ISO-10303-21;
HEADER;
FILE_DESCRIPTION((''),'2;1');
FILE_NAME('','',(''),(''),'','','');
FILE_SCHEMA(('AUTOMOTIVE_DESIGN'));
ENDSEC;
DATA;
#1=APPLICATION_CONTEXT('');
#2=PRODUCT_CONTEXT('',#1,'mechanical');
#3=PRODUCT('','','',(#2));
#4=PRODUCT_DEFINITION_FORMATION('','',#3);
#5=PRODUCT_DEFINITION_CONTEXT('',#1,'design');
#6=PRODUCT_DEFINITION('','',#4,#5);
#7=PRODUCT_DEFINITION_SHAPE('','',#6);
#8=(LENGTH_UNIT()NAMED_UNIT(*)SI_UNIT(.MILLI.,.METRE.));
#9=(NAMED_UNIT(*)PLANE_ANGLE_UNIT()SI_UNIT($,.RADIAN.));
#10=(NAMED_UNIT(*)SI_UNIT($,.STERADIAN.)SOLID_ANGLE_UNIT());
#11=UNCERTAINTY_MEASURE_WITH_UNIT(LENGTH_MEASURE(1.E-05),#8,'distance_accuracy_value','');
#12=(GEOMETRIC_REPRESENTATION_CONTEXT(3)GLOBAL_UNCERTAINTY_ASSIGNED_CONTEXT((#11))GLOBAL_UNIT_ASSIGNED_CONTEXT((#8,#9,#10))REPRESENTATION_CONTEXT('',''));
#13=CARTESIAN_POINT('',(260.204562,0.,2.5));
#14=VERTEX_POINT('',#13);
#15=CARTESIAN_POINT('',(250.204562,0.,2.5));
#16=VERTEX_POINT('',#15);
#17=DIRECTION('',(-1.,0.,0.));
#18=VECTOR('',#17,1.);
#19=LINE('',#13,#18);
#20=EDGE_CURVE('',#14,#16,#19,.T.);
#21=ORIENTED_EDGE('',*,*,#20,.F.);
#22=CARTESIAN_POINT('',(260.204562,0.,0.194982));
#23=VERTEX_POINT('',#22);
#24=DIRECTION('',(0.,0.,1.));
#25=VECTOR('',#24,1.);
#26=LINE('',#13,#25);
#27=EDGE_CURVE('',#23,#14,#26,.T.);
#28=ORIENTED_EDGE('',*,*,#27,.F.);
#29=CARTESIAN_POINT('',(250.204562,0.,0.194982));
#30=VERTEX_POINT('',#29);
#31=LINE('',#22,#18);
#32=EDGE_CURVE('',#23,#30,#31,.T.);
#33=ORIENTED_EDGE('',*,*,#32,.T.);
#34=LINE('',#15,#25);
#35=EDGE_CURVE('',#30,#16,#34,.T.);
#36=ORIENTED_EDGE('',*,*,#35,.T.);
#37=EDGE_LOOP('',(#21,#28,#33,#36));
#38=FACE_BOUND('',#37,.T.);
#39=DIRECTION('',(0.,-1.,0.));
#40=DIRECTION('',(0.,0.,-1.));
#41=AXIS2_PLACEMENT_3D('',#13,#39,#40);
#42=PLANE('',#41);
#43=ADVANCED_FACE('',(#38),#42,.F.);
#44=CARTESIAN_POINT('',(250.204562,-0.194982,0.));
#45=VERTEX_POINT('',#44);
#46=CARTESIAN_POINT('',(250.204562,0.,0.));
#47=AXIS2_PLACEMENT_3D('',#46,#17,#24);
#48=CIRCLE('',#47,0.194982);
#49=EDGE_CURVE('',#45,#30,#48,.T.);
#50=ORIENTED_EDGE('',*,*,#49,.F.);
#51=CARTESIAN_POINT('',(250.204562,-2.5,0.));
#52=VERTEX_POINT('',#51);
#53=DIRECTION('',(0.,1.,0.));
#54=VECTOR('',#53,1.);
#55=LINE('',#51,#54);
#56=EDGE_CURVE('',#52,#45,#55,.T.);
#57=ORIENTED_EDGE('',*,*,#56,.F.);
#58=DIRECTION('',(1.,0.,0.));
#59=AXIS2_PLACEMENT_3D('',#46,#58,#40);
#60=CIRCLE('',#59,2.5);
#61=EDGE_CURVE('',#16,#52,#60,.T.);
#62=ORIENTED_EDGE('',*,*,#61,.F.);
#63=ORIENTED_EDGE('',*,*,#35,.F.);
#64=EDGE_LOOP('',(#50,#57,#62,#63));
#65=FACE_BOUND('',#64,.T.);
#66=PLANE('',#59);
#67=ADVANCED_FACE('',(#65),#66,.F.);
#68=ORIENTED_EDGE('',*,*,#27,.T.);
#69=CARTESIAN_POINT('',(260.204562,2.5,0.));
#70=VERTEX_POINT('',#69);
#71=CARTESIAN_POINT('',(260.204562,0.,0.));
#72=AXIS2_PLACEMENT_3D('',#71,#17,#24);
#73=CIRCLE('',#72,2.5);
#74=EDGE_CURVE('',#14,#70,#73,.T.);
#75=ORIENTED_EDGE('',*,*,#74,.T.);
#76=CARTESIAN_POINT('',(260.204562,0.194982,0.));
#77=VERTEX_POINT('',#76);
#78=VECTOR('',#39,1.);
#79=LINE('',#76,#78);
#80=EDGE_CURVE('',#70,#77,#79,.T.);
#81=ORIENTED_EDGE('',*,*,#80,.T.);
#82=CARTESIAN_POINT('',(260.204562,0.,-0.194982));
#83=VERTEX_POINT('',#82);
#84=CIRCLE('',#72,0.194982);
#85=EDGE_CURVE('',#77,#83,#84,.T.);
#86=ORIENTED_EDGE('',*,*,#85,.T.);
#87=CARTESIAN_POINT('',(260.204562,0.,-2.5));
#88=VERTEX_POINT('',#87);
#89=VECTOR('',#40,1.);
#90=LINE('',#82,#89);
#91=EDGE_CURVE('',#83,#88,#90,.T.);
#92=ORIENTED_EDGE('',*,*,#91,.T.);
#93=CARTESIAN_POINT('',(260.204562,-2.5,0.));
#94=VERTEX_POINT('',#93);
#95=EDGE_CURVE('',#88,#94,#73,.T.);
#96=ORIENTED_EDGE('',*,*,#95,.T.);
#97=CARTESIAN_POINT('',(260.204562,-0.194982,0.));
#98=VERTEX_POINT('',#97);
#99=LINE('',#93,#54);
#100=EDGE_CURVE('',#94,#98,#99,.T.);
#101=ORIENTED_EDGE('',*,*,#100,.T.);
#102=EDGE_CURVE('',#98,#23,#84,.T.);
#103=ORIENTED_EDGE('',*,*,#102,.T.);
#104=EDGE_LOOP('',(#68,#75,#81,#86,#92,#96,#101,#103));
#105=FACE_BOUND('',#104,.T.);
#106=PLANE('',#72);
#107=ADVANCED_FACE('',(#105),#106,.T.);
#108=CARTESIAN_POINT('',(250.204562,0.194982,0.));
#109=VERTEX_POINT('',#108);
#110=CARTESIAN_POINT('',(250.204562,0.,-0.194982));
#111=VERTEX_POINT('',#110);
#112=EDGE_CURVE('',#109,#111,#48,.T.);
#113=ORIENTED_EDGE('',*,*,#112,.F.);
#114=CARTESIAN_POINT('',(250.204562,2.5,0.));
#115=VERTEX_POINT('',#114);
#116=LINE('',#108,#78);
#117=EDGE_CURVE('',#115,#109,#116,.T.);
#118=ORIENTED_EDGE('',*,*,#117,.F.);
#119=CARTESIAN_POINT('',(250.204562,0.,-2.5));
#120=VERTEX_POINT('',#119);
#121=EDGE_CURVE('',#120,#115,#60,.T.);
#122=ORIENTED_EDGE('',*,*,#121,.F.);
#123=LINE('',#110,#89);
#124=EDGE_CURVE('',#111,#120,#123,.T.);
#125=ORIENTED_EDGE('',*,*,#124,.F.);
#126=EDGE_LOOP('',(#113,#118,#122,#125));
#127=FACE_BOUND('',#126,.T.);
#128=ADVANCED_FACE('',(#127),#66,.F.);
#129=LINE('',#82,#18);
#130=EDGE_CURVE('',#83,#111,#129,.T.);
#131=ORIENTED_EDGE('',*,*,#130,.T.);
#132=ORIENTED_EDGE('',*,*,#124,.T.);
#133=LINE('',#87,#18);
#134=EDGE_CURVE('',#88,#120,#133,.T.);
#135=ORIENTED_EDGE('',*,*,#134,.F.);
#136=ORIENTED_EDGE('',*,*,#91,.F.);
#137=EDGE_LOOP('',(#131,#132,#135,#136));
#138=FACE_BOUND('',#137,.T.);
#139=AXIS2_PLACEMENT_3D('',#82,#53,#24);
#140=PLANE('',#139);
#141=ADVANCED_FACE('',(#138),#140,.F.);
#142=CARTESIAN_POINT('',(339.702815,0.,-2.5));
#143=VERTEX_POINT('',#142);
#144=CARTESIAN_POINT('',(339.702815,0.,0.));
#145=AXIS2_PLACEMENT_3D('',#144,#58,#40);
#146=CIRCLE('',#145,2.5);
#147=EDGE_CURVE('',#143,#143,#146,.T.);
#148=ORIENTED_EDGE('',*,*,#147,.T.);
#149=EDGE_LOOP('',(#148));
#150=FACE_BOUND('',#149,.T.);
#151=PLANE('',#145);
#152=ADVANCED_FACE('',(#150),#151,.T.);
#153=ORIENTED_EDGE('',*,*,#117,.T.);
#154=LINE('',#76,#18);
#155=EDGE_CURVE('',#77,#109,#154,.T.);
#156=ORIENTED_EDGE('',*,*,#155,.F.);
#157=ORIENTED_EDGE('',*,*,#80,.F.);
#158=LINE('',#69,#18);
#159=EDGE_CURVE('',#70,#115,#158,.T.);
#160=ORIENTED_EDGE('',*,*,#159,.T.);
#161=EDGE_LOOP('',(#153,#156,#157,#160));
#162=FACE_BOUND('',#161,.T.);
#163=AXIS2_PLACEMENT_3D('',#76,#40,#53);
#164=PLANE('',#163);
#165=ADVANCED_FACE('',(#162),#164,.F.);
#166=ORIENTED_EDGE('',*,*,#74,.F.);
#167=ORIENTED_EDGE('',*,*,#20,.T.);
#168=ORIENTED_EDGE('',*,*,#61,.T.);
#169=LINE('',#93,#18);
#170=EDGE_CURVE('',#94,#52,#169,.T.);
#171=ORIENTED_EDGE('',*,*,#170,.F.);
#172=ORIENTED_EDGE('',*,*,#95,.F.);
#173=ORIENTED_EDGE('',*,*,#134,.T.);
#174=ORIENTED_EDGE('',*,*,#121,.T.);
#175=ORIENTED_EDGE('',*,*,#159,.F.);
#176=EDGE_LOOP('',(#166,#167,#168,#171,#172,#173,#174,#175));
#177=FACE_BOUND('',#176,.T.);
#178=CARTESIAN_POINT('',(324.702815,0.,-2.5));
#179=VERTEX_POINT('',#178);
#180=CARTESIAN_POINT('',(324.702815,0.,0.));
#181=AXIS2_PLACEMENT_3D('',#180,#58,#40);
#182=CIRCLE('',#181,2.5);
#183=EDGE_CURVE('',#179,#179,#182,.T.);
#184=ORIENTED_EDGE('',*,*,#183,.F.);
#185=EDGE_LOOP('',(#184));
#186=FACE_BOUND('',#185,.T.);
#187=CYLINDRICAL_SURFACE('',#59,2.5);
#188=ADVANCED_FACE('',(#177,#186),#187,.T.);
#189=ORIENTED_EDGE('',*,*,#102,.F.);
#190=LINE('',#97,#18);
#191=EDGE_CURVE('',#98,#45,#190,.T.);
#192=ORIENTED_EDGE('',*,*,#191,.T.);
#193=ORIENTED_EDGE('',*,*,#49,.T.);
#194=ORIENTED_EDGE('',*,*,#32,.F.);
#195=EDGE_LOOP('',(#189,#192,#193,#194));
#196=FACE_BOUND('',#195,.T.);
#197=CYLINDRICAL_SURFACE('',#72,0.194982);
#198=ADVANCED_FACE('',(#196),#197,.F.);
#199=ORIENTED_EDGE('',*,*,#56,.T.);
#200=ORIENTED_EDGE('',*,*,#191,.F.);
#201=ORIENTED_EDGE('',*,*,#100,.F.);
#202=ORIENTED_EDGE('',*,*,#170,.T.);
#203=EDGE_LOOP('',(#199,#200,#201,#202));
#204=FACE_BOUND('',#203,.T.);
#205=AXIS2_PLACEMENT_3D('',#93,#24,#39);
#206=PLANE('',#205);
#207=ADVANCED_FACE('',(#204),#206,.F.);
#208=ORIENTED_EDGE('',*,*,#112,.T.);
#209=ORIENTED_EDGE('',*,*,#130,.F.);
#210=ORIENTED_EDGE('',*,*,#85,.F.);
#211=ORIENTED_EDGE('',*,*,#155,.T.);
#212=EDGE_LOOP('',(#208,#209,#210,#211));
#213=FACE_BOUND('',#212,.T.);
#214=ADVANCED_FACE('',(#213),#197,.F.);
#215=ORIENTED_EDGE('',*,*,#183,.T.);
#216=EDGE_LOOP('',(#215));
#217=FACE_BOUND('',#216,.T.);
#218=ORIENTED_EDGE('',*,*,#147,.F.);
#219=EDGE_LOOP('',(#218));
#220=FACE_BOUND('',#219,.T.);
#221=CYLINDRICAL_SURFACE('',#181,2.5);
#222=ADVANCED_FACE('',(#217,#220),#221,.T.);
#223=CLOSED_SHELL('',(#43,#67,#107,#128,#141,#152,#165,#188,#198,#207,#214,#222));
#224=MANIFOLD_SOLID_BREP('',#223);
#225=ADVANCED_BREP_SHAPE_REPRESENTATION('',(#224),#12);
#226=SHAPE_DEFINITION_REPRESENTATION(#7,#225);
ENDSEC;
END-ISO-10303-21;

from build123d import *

# Parameters (mm, degrees)
SWEEP1_PROFILE_R   = 2.5
CUT_EXTRUDE1_DEPTH = 10


with BuildPart() as part:
    # Sweep1: sweep along a path in Sketch1
    with BuildLine(Plane(origin=(0, 0, 0), x_dir=(1, 0, 0), z_dir=(0, 1, 0))) as sweep1_path:
        Line((339.702814789, 0), (324.702814789, 0))
        Line((324.702814789, 0), (250.204561609, 0))
    # Sweep1 profile (on start of the path) → Sweep1 (sweep)
    with BuildSketch(Plane(origin=(339.702814789, 0, 0), x_dir=(0, 0, -1), z_dir=(-1, 0, 0))):
        Circle(SWEEP1_PROFILE_R)
    sweep(path=sweep1_path.line)

    # Sketch4 → Cut-Extrude1 (cut)
    with BuildSketch(Plane(origin=(250.204561609, 0, 0), x_dir=(0, 0, -1), z_dir=(-1, 0, 0))):
        with BuildLine():
            Line((-2.5, 0), (-0.194982329, 0))
            ThreePointArc((-0.194982329, 0), (-0.137873327, 0.137873327), (0, 0.194982329))
            Line((0, 0.194982329), (0, 2.5))
            ThreePointArc((0, 2.5), (1.767766953, 1.767766953), (2.5, 0))
            Line((2.5, 0), (0.194982329, 0))
            ThreePointArc((0.194982329, 0), (0.137873327, -0.137873327), (0, -0.194982329))
            Line((0, -0.194982329), (0, -2.5))
            ThreePointArc((0, -2.5), (-1.767766953, -1.767766953), (-2.5, 0))
        make_face()
    extrude(amount=-CUT_EXTRUDE1_DEPTH, mode=Mode.SUBTRACT)


solid = part.part
